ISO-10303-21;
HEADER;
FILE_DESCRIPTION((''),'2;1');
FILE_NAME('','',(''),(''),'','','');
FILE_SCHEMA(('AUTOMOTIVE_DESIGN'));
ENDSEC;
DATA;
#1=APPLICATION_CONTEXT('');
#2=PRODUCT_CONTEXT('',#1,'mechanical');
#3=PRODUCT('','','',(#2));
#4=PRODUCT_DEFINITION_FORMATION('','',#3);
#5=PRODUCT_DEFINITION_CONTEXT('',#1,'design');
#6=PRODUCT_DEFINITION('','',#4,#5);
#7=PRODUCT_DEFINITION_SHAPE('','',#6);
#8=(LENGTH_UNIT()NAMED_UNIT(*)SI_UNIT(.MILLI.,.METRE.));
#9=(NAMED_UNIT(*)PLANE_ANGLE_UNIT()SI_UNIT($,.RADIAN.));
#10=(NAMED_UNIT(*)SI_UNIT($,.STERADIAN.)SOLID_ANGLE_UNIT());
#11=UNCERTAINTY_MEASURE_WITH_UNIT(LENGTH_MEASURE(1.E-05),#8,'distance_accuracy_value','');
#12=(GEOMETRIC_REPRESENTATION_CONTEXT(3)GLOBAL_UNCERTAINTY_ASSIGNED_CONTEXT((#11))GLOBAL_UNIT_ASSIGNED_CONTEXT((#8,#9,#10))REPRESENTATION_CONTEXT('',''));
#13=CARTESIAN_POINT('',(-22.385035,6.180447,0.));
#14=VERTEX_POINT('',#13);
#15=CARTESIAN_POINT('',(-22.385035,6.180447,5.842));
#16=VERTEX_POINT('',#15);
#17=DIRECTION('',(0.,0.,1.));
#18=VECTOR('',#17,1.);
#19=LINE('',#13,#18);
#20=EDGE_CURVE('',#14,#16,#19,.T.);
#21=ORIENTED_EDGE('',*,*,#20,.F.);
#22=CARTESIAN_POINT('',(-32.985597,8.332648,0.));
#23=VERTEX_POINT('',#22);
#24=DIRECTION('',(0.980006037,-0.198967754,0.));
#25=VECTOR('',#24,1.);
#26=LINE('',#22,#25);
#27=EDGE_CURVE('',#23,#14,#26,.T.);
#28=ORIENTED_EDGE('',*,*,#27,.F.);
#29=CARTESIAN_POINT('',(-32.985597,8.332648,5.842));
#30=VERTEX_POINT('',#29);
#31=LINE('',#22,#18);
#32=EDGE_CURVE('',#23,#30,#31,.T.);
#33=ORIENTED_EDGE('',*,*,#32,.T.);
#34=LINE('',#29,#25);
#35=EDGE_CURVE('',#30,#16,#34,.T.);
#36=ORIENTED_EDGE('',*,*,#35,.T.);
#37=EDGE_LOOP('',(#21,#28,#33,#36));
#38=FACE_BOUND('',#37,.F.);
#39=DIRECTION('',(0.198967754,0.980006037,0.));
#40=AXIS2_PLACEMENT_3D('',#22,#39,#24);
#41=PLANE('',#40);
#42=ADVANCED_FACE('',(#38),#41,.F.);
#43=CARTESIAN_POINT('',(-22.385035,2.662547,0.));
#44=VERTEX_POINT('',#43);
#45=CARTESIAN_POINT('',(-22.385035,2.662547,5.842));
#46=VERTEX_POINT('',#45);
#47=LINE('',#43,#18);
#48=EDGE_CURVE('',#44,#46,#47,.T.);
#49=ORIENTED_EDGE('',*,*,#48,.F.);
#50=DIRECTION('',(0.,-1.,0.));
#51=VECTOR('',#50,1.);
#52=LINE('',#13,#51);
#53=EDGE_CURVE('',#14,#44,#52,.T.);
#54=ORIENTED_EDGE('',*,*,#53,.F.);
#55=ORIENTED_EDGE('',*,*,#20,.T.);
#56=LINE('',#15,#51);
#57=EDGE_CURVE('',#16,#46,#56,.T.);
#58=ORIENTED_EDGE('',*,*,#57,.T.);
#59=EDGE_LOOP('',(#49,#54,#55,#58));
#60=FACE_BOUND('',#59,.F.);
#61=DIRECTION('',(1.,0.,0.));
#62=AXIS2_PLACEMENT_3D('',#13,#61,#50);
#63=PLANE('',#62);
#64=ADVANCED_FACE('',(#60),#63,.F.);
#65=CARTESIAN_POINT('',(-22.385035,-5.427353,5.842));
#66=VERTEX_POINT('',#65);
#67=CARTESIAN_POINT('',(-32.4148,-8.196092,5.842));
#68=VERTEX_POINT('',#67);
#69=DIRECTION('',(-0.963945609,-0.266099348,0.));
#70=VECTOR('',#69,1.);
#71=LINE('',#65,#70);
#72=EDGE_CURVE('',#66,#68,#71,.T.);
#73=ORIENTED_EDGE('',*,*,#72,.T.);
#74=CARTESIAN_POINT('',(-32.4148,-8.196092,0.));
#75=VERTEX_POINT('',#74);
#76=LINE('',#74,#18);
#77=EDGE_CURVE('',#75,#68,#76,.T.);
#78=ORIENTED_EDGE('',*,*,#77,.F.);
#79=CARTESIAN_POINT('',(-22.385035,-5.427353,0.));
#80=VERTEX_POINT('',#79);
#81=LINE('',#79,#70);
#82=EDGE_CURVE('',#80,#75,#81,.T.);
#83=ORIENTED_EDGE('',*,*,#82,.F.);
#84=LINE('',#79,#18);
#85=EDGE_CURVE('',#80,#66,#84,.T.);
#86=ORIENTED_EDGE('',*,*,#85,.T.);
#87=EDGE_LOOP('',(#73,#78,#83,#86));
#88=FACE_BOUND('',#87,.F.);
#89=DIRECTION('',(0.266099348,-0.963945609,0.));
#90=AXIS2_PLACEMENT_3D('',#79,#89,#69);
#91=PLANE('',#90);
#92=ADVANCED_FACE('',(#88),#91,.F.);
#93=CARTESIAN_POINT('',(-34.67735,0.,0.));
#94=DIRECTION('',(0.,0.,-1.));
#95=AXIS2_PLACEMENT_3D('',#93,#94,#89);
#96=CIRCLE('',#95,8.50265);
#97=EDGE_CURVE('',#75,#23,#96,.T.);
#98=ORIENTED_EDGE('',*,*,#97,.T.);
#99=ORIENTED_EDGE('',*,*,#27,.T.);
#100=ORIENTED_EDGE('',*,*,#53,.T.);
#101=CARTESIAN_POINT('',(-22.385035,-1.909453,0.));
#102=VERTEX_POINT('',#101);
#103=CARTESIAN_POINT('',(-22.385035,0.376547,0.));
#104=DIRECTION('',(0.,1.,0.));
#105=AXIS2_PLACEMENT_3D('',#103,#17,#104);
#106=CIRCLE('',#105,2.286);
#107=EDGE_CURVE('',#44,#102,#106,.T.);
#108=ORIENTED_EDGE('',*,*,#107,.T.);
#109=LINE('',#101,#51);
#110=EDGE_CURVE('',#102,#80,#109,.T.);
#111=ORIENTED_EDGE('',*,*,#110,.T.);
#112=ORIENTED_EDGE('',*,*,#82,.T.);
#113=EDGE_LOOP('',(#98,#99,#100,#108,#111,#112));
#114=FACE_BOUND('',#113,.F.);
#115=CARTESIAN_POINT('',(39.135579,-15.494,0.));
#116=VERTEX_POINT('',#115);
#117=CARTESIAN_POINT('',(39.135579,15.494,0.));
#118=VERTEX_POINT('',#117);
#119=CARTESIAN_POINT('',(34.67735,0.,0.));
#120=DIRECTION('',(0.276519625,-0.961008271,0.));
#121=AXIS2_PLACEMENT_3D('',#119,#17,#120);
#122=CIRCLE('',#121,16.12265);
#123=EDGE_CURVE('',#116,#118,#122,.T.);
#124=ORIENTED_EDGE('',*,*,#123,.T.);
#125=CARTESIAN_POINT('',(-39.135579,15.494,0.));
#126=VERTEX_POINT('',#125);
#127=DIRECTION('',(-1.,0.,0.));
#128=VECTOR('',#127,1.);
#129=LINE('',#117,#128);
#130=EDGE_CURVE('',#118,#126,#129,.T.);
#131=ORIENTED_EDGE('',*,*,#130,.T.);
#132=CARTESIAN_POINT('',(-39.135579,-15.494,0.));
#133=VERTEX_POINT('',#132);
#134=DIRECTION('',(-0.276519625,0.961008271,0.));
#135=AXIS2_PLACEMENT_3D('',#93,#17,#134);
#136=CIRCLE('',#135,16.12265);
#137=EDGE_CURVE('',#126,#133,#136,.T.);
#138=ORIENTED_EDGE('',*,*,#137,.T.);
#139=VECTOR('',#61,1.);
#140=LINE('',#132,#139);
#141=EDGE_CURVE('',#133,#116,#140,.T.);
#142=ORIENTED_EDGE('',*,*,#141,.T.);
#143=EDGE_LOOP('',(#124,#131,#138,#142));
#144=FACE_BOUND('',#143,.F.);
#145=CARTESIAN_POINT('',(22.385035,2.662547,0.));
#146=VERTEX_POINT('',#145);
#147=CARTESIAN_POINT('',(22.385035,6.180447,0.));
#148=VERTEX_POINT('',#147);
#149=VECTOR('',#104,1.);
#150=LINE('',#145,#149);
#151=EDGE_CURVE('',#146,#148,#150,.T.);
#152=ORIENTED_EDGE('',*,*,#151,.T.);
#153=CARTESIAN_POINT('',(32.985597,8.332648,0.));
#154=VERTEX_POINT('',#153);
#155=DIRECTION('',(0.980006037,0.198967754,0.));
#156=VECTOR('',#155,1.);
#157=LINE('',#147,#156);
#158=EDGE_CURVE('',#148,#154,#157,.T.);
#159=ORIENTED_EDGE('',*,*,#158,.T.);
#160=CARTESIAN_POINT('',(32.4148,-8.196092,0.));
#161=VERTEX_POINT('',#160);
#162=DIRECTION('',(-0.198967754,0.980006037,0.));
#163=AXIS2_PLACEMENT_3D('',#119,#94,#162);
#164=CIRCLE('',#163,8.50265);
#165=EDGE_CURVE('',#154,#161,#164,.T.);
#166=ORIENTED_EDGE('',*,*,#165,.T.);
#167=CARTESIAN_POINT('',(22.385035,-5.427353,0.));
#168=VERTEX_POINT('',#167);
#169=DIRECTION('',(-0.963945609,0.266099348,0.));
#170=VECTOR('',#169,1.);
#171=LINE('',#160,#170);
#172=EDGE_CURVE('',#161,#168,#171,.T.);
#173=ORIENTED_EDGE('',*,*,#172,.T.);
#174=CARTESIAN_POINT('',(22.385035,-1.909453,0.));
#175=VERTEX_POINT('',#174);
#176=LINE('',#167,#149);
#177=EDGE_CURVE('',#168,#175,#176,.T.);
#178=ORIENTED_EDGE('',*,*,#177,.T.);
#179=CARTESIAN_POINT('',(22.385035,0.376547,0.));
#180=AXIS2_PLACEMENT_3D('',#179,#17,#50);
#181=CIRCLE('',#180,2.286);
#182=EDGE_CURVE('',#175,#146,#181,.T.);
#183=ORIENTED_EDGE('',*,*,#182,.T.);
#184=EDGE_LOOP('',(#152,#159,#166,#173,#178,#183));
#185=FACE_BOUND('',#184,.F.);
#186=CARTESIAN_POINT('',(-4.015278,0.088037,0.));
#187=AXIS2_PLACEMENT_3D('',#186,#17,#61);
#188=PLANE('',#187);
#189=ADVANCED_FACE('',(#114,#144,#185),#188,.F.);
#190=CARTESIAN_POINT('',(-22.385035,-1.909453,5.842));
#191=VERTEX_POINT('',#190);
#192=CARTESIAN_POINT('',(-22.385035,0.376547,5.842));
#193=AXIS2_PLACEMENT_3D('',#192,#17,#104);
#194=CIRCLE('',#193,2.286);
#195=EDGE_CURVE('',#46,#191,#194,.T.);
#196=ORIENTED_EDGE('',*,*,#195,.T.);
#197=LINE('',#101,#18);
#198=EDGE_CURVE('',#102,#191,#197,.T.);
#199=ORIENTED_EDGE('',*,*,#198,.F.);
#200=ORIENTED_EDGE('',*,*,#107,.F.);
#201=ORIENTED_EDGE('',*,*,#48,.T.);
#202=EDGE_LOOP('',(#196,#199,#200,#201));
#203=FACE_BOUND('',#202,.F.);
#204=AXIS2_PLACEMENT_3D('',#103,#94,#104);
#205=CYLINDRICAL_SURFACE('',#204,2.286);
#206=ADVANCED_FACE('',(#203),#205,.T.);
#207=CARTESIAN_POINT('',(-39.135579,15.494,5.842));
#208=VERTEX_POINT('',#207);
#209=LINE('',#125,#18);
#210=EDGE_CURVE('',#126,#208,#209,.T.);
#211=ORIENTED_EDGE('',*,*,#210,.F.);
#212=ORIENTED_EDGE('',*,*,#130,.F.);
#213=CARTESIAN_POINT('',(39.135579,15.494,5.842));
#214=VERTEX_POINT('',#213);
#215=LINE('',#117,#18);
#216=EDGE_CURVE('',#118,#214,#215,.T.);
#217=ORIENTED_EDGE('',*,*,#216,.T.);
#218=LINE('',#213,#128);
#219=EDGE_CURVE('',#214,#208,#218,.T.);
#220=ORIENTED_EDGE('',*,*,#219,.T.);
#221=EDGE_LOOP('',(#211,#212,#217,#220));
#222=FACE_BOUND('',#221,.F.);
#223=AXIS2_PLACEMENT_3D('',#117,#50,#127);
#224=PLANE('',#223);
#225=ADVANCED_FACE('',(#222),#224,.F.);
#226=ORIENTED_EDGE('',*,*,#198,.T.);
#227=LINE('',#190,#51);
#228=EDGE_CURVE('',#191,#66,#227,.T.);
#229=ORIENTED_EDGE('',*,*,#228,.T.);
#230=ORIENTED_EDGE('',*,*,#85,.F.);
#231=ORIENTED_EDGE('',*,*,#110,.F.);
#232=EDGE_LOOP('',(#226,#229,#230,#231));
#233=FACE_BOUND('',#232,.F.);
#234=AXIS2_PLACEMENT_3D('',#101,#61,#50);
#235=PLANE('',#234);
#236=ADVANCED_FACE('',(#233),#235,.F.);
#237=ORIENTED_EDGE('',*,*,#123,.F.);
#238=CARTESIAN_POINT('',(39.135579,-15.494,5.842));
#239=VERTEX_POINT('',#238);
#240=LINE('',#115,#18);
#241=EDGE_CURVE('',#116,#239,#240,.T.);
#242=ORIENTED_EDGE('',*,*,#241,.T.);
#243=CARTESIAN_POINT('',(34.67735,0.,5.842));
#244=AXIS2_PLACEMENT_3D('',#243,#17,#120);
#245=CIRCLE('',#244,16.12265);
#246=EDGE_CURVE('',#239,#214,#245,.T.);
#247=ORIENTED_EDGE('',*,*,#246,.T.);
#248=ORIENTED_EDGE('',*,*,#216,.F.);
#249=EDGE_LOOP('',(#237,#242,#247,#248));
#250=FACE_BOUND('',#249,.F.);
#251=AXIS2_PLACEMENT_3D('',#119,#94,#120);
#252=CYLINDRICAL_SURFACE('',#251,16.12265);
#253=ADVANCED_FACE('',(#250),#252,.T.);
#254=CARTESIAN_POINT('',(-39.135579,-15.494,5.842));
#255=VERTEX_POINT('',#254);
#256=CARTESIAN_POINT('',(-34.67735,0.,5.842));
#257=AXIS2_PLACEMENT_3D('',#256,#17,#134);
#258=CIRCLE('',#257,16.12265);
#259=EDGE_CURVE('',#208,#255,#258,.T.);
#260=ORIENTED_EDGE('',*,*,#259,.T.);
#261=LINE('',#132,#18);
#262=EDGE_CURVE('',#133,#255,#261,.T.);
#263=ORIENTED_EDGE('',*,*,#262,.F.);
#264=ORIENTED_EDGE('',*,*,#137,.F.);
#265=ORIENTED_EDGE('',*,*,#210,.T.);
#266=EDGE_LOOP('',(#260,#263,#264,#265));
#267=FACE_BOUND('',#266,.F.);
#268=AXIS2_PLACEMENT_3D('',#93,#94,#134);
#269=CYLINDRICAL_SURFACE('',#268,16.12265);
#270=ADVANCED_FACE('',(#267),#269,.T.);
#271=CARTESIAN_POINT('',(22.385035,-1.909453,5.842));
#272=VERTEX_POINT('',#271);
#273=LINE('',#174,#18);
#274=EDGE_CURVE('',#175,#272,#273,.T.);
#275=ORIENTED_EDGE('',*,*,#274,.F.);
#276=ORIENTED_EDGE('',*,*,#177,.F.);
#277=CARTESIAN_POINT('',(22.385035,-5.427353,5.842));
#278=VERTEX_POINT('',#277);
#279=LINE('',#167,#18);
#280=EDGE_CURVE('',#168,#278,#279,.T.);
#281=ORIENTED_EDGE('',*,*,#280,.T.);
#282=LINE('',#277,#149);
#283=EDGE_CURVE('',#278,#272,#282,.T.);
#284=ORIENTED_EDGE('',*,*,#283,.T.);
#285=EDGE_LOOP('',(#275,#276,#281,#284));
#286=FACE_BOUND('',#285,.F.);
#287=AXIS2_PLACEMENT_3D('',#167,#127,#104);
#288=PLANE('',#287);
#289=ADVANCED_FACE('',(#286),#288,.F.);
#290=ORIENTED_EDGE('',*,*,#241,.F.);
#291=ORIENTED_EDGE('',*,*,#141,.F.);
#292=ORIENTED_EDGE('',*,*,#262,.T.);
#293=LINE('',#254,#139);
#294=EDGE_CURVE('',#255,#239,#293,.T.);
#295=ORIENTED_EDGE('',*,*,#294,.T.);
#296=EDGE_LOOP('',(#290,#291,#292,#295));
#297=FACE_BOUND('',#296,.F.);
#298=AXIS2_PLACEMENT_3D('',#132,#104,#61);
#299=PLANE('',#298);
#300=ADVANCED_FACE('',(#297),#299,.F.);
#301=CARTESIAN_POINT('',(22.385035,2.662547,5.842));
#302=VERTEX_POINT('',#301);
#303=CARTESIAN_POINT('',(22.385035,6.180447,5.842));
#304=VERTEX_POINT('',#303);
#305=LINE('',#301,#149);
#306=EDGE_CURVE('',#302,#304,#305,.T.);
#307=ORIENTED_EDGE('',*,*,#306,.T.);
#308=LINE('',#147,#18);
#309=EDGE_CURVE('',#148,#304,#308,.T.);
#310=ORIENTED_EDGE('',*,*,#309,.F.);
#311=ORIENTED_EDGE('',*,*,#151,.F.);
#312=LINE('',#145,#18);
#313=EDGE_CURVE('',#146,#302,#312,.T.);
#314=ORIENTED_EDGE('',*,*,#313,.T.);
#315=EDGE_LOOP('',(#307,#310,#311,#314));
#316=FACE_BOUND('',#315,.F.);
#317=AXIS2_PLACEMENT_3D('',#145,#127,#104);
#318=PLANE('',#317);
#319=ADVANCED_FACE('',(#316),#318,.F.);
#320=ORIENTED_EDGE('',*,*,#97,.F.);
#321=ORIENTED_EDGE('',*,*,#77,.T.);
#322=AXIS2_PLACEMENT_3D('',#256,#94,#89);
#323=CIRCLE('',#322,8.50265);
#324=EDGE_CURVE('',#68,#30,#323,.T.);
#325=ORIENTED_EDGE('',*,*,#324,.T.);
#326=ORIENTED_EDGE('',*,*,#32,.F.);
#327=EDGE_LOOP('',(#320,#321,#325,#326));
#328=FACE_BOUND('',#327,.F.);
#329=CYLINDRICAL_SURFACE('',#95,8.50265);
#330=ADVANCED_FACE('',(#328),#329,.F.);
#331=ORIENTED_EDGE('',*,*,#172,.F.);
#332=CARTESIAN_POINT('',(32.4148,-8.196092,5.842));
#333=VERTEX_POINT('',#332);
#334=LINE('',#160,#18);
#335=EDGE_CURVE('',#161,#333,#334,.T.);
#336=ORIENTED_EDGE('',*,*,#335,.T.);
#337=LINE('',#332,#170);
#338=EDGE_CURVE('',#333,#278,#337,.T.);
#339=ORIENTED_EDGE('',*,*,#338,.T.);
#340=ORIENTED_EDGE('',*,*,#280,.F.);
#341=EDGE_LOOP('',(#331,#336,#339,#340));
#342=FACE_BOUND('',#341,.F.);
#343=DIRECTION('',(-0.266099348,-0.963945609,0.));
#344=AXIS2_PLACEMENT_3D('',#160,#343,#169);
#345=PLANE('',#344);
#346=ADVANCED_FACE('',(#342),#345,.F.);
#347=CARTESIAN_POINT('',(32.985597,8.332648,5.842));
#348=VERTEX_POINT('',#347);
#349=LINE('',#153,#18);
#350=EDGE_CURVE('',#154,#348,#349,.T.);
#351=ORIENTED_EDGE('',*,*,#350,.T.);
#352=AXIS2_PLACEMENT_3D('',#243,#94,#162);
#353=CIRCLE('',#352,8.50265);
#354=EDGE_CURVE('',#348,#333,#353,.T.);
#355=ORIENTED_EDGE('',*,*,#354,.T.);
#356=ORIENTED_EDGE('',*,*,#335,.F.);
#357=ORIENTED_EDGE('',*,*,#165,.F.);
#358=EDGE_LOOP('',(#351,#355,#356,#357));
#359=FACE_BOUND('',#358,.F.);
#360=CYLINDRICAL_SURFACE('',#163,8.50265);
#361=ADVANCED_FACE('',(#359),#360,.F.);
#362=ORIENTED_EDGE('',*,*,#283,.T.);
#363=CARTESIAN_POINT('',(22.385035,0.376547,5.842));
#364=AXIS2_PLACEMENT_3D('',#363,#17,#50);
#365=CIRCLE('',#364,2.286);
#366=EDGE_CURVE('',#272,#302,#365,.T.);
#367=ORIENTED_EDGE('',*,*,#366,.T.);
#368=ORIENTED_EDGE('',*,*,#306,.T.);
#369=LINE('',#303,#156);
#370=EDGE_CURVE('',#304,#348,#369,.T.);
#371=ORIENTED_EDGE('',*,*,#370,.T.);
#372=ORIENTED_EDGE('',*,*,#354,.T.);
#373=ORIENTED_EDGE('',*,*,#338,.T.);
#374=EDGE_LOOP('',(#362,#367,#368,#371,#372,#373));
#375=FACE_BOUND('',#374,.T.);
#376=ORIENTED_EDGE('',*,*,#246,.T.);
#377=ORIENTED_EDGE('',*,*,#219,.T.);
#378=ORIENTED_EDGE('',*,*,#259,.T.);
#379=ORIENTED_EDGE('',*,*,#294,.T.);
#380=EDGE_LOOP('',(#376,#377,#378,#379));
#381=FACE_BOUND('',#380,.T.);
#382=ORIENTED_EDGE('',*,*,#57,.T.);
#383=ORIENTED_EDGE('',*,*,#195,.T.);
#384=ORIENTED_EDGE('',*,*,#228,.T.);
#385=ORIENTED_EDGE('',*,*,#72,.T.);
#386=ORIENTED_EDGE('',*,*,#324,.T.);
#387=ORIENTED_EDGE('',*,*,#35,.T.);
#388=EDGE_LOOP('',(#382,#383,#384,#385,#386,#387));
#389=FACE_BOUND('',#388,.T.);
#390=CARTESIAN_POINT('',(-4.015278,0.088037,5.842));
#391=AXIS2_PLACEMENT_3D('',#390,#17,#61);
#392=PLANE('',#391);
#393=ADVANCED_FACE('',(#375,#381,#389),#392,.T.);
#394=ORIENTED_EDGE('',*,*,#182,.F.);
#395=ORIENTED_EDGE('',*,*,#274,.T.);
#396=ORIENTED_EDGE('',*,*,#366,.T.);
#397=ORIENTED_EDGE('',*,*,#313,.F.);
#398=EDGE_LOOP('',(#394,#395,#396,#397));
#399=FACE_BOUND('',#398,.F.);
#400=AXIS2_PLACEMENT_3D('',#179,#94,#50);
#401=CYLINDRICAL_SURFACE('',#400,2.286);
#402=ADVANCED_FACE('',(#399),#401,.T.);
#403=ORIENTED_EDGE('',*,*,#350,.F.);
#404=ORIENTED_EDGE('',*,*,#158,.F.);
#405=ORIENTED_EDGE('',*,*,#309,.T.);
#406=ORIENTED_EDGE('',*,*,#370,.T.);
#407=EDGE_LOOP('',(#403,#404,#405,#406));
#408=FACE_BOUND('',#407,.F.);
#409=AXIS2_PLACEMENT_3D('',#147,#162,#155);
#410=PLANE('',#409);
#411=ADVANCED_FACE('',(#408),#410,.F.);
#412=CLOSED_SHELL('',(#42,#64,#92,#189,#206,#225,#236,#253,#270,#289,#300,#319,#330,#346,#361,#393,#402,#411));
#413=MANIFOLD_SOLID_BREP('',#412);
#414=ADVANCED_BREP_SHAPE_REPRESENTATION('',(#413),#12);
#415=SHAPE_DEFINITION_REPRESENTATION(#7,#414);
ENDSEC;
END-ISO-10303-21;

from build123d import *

# Parameters (mm, degrees)
F1_DEPTH = 5.842


with BuildPart() as f1:
    # F0 (on Top) → F1 (new body)
    with BuildSketch(Plane.XY):
        with BuildLine():
            Line((32.9855968278, 15.494), (-39.1355791353, 15.494))
            ThreePointArc((-39.1355791353, 15.494), (-50.8, 0), (-39.1355791353, -15.494))
            Line((-39.1355791353, -15.494), (32.4148003754, -15.494))
            Line((32.4148003754, -15.494), (32.4148003754, -8.1960921309))
            Line((32.4148003754, -8.1960921309), (22.3850345377, -5.4273527648))
            Line((22.3850345377, -5.4273527648), (22.3850345377, -1.9094527648))
            ThreePointArc((22.3850345377, -1.9094527648), (24.6710345377, 0.3765472352), (22.3850345377, 2.6625472352))
            Line((22.3850345377, 2.6625472352), (22.3850345377, 6.1804472352))
            Line((22.3850345377, 6.1804472352), (32.9855968278, 8.3326483321))
            Line((32.9855968278, 8.3326483321), (32.9855968278, 15.494))
        make_face()
        with BuildLine():
            Line((-22.3850345377, -5.4273527648), (-32.4148003754, -8.1960921309))
            ThreePointArc((-32.4148003754, -8.1960921309), (-43.1749345377, -0.2934519493), (-32.9855968278, 8.3326483321))
            Line((-32.9855968278, 8.3326483321), (-22.3850345377, 6.1804472352))
            Line((-22.3850345377, 6.1804472352), (-22.3850345377, 2.6625472352))
            ThreePointArc((-22.3850345377, 2.6625472352), (-24.6710345377, 0.3765472352), (-22.3850345377, -1.9094527648))
            Line((-22.3850345377, -1.9094527648), (-22.3850345377, -5.4273527648))
        make_face(mode=Mode.SUBTRACT)
        with BuildLine():
            Line((39.1355791353, 15.494), (32.9855968278, 15.494))
            Line((32.9855968278, 15.494), (32.9855968278, 8.3326483321))
            ThreePointArc((32.9855968278, 8.3326483321), (43.1749345377, -0.2934519493), (32.4148003754, -8.1960921309))
            Line((32.4148003754, -8.1960921309), (32.4148003754, -15.494))
            Line((32.4148003754, -15.494), (39.1355791353, -15.494))
            ThreePointArc((39.1355791353, -15.494), (50.8, 0), (39.1355791353, 15.494))
        make_face()
    extrude(amount=F1_DEPTH)


solid = f1.part
